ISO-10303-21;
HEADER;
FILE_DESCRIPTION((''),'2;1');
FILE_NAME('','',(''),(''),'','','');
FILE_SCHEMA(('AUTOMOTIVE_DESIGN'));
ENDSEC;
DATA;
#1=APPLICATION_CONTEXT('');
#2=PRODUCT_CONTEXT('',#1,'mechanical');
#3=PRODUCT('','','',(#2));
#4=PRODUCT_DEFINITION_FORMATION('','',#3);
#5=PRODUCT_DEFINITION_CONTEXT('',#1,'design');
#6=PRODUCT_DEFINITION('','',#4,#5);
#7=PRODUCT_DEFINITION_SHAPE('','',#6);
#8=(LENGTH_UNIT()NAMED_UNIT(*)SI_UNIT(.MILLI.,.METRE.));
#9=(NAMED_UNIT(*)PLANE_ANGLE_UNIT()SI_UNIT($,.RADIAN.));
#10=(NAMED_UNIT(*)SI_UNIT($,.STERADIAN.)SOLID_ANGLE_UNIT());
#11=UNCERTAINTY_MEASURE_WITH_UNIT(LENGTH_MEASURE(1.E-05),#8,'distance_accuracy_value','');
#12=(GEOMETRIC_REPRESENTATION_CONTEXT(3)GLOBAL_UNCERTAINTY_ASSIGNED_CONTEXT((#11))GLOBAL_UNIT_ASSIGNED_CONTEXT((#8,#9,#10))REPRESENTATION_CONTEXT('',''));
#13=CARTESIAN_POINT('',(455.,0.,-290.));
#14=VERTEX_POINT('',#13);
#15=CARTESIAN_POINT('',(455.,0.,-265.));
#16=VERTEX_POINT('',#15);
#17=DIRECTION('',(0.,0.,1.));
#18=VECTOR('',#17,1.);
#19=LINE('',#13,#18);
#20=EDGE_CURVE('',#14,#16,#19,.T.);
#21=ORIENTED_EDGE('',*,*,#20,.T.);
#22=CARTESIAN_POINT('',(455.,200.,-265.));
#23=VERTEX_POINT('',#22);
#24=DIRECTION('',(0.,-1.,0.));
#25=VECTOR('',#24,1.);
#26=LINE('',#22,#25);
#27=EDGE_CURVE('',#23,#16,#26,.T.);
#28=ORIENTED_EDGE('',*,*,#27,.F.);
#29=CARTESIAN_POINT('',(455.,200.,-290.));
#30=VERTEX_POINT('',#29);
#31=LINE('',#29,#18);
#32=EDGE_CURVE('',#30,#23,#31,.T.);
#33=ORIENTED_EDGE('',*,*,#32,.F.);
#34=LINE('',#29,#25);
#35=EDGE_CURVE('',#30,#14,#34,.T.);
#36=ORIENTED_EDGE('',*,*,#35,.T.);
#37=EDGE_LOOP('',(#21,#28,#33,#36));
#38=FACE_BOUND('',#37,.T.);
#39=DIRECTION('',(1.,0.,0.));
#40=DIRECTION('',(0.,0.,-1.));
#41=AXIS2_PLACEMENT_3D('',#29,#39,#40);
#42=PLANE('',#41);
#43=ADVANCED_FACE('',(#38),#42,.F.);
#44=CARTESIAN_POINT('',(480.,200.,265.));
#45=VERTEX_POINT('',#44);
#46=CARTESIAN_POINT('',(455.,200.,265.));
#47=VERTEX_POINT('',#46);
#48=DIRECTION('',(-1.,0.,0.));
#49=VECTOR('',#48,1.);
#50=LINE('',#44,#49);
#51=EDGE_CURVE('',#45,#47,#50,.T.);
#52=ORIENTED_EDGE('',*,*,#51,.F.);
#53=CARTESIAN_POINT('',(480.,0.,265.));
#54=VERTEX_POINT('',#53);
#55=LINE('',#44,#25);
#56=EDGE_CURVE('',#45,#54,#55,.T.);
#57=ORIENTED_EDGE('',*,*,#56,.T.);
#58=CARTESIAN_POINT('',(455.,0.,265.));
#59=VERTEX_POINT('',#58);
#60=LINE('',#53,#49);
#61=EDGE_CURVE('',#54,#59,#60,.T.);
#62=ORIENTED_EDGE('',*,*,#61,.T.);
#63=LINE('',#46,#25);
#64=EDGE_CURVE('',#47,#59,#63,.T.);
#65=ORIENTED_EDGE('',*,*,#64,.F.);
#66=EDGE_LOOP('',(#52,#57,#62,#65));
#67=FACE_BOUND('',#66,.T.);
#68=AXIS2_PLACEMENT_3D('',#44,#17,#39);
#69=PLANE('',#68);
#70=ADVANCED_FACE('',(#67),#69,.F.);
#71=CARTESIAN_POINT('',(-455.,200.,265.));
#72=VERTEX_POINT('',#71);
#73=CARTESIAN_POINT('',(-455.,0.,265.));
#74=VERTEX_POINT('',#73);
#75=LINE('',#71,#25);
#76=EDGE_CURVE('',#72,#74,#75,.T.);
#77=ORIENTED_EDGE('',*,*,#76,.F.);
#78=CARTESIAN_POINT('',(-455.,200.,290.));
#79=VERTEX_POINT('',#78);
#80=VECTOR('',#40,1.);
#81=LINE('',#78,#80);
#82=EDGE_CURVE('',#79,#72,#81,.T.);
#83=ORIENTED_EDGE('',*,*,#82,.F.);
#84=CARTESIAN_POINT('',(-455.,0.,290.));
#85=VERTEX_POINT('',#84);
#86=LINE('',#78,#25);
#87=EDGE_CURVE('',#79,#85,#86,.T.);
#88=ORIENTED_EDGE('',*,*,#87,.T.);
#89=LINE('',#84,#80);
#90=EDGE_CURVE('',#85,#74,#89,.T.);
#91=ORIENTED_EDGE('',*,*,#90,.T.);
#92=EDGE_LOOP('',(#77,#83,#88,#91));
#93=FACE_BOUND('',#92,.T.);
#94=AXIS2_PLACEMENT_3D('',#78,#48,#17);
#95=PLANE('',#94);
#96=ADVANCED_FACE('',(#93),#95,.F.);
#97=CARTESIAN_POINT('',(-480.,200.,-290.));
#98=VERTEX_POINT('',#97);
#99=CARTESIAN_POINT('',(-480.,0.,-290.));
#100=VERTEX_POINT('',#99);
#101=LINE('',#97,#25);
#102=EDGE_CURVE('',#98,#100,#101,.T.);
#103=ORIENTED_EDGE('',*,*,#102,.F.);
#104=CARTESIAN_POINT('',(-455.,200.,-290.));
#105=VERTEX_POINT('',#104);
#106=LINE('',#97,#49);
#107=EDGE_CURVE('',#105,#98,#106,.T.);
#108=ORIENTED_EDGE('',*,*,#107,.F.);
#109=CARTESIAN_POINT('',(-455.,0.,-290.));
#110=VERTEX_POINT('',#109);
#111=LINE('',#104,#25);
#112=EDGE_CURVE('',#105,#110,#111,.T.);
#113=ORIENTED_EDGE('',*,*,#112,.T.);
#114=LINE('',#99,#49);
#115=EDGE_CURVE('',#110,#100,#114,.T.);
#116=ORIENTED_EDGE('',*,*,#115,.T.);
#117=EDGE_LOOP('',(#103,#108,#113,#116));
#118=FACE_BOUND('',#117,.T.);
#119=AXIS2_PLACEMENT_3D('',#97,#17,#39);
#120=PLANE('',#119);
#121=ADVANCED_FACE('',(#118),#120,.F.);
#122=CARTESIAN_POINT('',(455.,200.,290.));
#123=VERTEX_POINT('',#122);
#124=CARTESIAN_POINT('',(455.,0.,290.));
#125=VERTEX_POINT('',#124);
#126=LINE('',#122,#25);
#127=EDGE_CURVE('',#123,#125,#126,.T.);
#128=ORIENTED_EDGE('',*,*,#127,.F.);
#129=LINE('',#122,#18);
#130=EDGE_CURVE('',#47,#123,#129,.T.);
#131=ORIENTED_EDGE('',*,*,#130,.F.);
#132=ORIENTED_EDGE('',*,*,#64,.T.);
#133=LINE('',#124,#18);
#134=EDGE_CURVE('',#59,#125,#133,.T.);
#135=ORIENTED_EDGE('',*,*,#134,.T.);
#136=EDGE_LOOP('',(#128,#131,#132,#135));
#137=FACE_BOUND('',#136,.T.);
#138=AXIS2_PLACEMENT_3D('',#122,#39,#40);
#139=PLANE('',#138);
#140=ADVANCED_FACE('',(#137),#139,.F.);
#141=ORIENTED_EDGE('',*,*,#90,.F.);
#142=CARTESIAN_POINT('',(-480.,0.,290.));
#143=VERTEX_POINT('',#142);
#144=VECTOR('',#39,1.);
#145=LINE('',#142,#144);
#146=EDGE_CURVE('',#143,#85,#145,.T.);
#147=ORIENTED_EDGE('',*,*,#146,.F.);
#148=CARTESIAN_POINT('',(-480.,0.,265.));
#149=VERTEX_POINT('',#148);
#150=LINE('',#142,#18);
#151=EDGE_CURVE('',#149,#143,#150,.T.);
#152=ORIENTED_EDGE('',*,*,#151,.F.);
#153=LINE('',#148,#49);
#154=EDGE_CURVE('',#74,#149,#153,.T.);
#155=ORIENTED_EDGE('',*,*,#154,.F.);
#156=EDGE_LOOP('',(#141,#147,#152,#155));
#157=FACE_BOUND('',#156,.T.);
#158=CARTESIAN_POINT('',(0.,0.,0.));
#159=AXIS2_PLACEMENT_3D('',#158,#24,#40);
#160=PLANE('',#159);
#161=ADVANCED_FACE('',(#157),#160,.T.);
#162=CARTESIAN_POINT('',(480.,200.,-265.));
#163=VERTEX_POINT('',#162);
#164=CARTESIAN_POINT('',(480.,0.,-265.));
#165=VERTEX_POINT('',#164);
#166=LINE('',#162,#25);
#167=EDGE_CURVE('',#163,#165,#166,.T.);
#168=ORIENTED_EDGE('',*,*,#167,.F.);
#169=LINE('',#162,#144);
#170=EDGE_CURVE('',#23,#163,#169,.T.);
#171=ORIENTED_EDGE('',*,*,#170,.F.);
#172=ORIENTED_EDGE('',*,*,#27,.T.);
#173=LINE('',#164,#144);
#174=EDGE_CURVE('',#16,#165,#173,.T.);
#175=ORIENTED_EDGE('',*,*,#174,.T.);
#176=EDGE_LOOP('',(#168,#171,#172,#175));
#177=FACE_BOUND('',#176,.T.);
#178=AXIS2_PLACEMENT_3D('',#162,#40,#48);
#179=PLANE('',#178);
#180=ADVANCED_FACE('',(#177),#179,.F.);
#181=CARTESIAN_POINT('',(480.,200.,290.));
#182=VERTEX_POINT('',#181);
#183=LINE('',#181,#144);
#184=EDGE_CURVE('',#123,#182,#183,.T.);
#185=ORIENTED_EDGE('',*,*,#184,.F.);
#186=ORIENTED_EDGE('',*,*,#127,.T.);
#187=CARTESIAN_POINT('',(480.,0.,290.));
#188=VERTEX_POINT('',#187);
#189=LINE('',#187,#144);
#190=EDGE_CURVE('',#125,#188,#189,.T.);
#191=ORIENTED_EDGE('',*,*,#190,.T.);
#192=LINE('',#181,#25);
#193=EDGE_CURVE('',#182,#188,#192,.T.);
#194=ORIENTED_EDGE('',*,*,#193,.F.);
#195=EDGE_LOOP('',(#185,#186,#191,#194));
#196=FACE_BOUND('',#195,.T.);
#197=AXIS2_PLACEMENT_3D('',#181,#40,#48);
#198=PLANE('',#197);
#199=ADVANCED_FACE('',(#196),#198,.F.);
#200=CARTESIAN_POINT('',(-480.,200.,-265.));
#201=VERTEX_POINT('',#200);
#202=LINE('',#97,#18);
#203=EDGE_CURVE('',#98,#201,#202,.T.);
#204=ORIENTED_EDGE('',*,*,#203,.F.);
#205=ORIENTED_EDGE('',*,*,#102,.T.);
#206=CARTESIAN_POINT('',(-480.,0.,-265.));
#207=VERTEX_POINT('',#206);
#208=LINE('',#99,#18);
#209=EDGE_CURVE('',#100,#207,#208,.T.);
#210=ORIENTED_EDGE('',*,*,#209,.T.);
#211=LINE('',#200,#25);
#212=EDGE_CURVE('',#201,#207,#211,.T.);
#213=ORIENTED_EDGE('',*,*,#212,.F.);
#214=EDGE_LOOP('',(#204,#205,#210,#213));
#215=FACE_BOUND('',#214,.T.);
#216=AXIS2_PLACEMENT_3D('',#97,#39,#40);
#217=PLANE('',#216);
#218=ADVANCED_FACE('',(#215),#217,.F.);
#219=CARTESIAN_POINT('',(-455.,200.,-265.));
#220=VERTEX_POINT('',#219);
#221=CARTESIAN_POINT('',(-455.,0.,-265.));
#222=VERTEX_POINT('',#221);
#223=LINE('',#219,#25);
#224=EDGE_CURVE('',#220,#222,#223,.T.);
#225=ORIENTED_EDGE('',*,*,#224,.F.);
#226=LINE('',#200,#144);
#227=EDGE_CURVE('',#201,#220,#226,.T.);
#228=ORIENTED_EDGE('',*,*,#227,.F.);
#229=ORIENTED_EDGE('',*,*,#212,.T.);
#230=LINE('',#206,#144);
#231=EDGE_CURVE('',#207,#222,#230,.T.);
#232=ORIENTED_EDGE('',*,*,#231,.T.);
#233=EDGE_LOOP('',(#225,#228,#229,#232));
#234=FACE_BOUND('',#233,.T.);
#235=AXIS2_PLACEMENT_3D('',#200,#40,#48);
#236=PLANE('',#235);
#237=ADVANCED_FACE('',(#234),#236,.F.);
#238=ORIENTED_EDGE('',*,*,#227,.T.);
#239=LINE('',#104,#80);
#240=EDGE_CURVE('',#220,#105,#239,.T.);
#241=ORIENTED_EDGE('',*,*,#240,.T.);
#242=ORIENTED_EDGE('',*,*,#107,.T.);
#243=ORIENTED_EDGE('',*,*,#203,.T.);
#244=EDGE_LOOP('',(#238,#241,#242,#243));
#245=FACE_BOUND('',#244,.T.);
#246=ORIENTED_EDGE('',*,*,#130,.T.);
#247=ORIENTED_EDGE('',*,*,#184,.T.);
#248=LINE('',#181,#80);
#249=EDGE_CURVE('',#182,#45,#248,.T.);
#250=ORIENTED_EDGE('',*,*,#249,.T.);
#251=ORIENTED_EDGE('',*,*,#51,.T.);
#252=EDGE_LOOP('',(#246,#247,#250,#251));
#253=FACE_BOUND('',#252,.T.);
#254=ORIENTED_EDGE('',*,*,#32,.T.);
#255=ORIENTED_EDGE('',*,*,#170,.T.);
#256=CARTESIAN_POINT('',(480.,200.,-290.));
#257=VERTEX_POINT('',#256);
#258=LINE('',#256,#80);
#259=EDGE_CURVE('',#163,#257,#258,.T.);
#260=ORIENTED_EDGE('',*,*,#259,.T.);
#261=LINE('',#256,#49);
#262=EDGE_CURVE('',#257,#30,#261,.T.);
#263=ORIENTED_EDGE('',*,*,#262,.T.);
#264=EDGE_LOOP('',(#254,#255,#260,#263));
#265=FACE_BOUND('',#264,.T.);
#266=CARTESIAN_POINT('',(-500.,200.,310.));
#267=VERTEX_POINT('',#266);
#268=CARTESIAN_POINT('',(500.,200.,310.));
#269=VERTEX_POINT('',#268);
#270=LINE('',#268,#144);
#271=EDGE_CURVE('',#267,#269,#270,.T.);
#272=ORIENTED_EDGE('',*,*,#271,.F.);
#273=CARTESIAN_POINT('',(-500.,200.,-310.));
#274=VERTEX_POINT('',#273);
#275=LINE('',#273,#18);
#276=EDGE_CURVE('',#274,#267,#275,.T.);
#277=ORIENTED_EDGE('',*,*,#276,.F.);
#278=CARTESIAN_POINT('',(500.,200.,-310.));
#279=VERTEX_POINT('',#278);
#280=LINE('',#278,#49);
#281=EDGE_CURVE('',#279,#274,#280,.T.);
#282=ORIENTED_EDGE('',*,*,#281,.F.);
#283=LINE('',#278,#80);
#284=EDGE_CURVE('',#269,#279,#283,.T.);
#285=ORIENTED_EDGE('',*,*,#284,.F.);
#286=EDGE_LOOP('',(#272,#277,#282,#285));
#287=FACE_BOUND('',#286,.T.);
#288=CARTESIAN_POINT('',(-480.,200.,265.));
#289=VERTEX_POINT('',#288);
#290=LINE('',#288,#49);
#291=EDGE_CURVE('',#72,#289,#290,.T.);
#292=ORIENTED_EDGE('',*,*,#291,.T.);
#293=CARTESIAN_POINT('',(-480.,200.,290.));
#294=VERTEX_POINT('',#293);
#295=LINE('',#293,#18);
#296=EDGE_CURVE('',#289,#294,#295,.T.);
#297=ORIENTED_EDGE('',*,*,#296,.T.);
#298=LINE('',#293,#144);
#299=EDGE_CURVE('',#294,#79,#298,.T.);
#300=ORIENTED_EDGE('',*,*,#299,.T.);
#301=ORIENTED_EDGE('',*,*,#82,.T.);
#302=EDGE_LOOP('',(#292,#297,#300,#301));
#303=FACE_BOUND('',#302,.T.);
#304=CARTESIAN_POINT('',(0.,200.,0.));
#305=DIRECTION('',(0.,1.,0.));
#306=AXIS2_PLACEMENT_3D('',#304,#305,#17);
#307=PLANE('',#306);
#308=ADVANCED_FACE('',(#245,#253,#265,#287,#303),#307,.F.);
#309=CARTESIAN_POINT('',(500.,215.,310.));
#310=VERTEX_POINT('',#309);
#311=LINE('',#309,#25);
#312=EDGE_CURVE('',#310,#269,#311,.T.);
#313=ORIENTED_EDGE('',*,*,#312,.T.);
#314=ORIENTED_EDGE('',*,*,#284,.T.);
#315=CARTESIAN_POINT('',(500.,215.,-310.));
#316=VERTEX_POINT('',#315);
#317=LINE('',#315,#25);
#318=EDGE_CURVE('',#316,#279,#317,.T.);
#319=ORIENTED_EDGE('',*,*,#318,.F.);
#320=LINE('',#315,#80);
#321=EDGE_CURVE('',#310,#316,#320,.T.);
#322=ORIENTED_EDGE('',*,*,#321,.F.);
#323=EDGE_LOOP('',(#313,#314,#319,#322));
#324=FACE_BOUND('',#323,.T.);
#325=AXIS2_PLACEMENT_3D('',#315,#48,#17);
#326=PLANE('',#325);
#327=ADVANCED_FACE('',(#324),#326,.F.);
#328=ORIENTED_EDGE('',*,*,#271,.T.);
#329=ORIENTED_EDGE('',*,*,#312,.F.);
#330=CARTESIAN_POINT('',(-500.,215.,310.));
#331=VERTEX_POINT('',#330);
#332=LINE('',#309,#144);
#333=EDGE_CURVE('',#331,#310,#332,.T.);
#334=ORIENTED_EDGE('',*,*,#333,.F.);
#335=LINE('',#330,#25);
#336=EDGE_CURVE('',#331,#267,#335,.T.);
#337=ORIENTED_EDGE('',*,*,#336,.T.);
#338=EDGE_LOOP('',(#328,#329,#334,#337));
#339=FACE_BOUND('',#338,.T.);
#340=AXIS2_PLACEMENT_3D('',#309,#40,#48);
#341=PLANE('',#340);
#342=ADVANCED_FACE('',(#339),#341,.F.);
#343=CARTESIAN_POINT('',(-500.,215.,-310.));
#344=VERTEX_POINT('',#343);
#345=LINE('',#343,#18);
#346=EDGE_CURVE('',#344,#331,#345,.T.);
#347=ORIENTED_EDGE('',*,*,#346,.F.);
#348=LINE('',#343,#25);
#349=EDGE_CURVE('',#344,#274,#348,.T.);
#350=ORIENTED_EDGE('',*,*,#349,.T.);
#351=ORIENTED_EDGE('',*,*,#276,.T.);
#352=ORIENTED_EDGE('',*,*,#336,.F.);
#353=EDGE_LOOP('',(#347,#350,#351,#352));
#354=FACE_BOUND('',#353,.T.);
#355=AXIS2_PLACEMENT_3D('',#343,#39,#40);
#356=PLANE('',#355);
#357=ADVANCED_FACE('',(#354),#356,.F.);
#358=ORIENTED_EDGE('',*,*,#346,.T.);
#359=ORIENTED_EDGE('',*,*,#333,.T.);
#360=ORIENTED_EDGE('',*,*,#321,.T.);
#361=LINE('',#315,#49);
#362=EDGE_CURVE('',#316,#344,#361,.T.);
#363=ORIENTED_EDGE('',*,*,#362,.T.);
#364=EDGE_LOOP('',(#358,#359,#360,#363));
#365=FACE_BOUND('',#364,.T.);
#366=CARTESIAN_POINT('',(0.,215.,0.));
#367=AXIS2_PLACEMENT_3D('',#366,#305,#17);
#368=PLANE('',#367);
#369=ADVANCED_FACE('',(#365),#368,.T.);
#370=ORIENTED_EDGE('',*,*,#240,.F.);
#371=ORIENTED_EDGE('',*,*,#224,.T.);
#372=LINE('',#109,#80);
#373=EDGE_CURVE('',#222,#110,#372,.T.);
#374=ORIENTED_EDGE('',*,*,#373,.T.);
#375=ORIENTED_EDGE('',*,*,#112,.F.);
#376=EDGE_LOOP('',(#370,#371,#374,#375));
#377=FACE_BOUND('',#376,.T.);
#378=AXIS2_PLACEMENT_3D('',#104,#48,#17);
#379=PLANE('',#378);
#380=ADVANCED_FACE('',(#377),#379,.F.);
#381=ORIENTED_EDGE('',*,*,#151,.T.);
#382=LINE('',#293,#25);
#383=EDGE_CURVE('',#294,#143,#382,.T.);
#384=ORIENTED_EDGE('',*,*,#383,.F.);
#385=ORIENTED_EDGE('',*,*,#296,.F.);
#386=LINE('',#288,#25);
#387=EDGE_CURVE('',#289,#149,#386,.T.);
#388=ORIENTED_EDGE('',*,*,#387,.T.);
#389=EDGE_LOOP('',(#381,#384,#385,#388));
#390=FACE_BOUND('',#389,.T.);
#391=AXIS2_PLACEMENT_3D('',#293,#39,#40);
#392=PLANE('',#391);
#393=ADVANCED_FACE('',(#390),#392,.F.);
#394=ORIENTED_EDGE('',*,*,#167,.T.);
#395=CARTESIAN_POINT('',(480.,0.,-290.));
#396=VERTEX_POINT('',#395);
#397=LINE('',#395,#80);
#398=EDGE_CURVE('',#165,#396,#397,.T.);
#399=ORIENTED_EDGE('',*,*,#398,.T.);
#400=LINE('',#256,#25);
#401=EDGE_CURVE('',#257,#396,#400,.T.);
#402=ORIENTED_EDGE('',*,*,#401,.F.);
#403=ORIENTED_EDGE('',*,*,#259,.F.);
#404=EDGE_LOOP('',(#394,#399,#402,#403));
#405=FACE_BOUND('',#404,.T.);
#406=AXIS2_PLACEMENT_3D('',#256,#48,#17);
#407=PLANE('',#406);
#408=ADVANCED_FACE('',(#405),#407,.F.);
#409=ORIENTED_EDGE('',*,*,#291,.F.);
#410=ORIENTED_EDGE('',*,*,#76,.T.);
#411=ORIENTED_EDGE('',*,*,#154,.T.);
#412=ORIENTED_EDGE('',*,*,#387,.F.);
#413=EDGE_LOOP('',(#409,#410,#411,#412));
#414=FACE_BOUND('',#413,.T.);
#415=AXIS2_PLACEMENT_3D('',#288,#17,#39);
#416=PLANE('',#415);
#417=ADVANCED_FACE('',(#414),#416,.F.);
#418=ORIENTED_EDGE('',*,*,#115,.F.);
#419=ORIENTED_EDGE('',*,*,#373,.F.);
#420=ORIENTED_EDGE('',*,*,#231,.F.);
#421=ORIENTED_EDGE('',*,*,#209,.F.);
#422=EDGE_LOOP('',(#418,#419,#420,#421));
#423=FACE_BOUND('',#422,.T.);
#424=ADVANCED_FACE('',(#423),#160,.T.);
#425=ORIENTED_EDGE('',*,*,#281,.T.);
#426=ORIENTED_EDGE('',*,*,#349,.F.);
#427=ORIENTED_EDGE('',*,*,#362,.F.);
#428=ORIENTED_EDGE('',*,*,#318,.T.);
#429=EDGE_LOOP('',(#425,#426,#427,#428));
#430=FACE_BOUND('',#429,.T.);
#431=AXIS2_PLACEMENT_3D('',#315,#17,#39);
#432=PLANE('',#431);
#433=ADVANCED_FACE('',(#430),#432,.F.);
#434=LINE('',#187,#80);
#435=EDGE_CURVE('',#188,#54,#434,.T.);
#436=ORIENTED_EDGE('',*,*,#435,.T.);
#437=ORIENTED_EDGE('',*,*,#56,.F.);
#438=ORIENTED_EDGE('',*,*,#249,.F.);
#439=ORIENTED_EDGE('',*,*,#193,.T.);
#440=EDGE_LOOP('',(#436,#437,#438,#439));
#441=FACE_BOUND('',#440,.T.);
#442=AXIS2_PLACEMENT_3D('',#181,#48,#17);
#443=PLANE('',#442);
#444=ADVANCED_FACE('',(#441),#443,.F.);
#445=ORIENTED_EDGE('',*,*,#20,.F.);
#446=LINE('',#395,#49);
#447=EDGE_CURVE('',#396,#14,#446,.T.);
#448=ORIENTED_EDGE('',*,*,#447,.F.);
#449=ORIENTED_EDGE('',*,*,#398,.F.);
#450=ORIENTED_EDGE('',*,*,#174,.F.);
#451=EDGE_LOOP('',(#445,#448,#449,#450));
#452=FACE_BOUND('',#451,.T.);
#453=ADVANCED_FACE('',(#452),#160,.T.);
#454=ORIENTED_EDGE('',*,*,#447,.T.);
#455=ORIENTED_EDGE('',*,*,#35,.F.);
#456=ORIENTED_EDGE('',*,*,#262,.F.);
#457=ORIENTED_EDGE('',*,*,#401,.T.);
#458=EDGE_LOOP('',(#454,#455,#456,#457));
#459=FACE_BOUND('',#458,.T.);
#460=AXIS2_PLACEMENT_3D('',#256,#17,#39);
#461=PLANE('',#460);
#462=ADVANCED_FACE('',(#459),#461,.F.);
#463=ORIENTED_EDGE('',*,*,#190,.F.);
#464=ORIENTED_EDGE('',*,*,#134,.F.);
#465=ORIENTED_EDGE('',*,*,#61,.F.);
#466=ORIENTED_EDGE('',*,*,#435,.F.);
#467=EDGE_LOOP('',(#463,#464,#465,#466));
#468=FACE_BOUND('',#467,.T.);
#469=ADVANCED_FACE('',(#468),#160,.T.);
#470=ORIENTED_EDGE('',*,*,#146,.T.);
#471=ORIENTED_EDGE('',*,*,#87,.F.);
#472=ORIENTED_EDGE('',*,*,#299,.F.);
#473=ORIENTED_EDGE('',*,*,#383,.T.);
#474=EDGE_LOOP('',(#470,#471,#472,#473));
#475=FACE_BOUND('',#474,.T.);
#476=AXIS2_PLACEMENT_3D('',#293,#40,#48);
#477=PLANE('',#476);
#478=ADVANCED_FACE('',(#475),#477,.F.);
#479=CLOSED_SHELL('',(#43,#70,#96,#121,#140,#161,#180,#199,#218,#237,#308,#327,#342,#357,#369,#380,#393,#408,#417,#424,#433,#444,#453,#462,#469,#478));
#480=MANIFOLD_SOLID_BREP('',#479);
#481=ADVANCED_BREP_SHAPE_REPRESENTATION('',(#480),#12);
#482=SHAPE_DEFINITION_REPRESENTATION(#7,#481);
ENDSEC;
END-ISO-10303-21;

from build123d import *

# Parameters (mm, degrees)
SKETCH1_W             = 25
SKETCH1_H             = 25
BOSS_EXTRUDE1_DEPTH   = 200
BOSS_EXTRUDE1_2_DEPTH = 200
BOSS_EXTRUDE1_3_DEPTH = 200
BOSS_EXTRUDE1_4_DEPTH = 200
SKETCH2_W             = 1000
SKETCH2_H             = 620
BOSS_EXTRUDE2_DEPTH   = 15


with BuildPart() as part:
    # Sketch1 → Boss-Extrude1 (new body)
    with BuildSketch(Plane(origin=(0, 0, 0), x_dir=(1, 0, 0), z_dir=(0, 1, 0))):
        with Locations((-467.5, -277.5)):
            Rectangle(SKETCH1_W, SKETCH1_H)
    extrude(amount=BOSS_EXTRUDE1_DEPTH)



with BuildPart() as body_2:
    # Sketch1 → Boss-Extrude1 2 (new body)
    with BuildSketch(Plane(origin=(0, 0, 0), x_dir=(1, 0, 0), z_dir=(0, 1, 0))):
        with Locations((-467.5, 277.5)):
            Rectangle(SKETCH1_W, SKETCH1_H)
    extrude(amount=BOSS_EXTRUDE1_2_DEPTH)


with BuildPart() as body_3:
    # Sketch1 → Boss-Extrude1 3 (new body)
    with BuildSketch(Plane(origin=(0, 0, 0), x_dir=(1, 0, 0), z_dir=(0, 1, 0))):
        with Locations((467.5, 277.5)):
            Rectangle(SKETCH1_W, SKETCH1_H)
    extrude(amount=BOSS_EXTRUDE1_3_DEPTH)


with BuildPart() as body_4:
    # Sketch1 → Boss-Extrude1 4 (new body)
    with BuildSketch(Plane(origin=(0, 0, 0), x_dir=(1, 0, 0), z_dir=(0, 1, 0))):
        with Locations((467.5, -277.5)):
            Rectangle(SKETCH1_W, SKETCH1_H)
    extrude(amount=BOSS_EXTRUDE1_4_DEPTH)


with BuildPart() as part_1:
    add(part.part)

    add(body_2.part)  # Boss-Extrude2 merges body 2

    add(body_3.part)  # Boss-Extrude2 merges body 3

    add(body_4.part)  # Boss-Extrude2 merges body 4
    # Sketch2 → Boss-Extrude2 (add)
    with BuildSketch(Plane(origin=(0, 200, 0), x_dir=(1, 0, 0), z_dir=(0, 1, 0))):
        Rectangle(SKETCH2_W, SKETCH2_H)
    extrude(amount=BOSS_EXTRUDE2_DEPTH)


solid = part_1.part
